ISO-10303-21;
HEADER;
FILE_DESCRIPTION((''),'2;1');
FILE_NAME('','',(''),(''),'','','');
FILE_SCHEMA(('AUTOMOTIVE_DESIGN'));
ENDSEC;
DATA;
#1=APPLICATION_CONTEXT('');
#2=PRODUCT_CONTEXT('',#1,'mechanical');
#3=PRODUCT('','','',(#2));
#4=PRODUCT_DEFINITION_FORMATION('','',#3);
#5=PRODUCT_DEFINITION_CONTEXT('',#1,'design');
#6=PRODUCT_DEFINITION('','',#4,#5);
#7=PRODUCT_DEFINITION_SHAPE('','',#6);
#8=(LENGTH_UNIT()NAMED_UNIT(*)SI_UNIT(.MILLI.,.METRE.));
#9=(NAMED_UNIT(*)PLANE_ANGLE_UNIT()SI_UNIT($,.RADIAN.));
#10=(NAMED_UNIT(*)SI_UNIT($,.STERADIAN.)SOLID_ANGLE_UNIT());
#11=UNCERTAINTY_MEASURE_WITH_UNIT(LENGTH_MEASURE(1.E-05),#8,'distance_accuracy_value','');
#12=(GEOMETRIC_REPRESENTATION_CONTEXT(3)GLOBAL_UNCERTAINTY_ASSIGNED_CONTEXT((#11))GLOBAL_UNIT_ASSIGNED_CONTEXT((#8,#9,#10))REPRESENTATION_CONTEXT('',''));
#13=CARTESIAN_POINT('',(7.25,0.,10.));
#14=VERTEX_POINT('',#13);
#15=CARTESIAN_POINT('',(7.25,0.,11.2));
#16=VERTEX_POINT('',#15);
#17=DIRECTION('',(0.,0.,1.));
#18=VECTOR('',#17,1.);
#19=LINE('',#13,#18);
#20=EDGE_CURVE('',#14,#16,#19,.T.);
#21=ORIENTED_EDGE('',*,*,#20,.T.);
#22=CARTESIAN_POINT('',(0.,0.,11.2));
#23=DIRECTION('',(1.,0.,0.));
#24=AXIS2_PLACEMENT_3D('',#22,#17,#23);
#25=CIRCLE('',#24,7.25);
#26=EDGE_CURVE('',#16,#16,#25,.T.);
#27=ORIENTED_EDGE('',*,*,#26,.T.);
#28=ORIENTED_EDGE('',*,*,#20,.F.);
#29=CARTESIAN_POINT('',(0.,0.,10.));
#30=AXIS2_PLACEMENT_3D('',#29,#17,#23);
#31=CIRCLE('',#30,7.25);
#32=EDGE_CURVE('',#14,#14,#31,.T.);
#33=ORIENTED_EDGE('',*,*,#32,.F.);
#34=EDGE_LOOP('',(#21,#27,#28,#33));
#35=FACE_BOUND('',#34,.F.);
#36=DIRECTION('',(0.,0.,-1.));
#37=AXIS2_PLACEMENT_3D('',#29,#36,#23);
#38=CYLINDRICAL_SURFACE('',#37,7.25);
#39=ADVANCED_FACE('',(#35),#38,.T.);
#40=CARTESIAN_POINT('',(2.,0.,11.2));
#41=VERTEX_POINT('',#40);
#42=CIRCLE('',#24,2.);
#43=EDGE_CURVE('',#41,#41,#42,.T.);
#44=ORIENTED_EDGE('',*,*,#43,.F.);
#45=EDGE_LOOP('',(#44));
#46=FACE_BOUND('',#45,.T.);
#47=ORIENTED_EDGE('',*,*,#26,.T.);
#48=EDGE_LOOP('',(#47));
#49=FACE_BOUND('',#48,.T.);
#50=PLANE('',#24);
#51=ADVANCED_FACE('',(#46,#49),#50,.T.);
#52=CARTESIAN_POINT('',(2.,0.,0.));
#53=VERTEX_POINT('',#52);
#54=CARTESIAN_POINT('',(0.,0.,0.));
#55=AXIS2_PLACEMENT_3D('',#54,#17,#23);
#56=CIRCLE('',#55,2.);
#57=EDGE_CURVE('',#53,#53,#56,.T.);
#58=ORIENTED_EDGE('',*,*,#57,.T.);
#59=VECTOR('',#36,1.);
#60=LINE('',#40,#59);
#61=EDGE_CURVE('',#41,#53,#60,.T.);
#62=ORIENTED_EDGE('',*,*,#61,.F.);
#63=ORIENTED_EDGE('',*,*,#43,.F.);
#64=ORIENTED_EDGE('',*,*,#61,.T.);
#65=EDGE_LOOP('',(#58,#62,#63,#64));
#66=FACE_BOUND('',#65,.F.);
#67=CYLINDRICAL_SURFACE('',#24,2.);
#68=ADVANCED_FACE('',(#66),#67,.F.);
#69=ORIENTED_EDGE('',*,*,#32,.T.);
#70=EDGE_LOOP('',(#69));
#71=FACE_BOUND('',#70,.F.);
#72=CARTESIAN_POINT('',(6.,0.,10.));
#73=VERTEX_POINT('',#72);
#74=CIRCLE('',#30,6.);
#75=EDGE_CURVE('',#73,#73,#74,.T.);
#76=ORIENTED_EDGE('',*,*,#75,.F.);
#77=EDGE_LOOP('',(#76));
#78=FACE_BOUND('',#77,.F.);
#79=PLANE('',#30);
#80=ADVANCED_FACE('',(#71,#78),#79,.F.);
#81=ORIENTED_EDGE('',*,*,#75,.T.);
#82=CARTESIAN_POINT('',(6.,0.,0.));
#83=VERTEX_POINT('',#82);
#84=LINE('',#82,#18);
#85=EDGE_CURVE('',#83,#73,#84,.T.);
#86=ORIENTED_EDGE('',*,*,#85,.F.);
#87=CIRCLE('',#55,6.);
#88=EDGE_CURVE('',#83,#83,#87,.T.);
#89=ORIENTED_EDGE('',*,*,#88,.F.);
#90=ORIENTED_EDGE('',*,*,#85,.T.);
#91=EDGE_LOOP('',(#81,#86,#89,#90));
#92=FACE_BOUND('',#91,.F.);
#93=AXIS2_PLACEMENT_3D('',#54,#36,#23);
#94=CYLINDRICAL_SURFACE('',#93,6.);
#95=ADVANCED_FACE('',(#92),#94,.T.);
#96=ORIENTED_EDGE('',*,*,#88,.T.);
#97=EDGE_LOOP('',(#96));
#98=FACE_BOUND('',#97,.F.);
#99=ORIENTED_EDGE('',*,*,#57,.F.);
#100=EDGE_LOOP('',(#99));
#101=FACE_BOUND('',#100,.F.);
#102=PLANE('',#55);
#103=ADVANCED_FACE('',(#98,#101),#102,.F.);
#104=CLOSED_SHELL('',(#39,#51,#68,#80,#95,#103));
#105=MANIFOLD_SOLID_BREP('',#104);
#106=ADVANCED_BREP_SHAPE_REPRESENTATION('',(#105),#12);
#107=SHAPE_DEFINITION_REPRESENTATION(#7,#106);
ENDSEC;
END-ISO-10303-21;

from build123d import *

# Parameters (mm, degrees)
F0_R     = 6
F1_DEPTH = 10
F2_R     = 7.25
F2_R_2   = 6
F3_DEPTH = 1.2
F4_R     = 2
F5_DEPTH = 25


with BuildPart() as f1:
    # F0 (on Top) → F1 (new body)
    with BuildSketch(Plane.XY):
        Circle(F0_R)
    extrude(amount=F1_DEPTH)

    # F2 (on face) → F3 (join)
    with BuildSketch(Plane.XY.offset(10)):
        Circle(F2_R)
        Circle(F2_R_2, mode=Mode.SUBTRACT)
        Circle(F2_R_2)
    extrude(amount=F3_DEPTH)

    # F4 (on face) → F5 (cut)
    with BuildSketch(Plane.XY.offset(11.2)):
        Circle(F4_R)
    extrude(amount=-F5_DEPTH, mode=Mode.SUBTRACT)


solid = f1.part
